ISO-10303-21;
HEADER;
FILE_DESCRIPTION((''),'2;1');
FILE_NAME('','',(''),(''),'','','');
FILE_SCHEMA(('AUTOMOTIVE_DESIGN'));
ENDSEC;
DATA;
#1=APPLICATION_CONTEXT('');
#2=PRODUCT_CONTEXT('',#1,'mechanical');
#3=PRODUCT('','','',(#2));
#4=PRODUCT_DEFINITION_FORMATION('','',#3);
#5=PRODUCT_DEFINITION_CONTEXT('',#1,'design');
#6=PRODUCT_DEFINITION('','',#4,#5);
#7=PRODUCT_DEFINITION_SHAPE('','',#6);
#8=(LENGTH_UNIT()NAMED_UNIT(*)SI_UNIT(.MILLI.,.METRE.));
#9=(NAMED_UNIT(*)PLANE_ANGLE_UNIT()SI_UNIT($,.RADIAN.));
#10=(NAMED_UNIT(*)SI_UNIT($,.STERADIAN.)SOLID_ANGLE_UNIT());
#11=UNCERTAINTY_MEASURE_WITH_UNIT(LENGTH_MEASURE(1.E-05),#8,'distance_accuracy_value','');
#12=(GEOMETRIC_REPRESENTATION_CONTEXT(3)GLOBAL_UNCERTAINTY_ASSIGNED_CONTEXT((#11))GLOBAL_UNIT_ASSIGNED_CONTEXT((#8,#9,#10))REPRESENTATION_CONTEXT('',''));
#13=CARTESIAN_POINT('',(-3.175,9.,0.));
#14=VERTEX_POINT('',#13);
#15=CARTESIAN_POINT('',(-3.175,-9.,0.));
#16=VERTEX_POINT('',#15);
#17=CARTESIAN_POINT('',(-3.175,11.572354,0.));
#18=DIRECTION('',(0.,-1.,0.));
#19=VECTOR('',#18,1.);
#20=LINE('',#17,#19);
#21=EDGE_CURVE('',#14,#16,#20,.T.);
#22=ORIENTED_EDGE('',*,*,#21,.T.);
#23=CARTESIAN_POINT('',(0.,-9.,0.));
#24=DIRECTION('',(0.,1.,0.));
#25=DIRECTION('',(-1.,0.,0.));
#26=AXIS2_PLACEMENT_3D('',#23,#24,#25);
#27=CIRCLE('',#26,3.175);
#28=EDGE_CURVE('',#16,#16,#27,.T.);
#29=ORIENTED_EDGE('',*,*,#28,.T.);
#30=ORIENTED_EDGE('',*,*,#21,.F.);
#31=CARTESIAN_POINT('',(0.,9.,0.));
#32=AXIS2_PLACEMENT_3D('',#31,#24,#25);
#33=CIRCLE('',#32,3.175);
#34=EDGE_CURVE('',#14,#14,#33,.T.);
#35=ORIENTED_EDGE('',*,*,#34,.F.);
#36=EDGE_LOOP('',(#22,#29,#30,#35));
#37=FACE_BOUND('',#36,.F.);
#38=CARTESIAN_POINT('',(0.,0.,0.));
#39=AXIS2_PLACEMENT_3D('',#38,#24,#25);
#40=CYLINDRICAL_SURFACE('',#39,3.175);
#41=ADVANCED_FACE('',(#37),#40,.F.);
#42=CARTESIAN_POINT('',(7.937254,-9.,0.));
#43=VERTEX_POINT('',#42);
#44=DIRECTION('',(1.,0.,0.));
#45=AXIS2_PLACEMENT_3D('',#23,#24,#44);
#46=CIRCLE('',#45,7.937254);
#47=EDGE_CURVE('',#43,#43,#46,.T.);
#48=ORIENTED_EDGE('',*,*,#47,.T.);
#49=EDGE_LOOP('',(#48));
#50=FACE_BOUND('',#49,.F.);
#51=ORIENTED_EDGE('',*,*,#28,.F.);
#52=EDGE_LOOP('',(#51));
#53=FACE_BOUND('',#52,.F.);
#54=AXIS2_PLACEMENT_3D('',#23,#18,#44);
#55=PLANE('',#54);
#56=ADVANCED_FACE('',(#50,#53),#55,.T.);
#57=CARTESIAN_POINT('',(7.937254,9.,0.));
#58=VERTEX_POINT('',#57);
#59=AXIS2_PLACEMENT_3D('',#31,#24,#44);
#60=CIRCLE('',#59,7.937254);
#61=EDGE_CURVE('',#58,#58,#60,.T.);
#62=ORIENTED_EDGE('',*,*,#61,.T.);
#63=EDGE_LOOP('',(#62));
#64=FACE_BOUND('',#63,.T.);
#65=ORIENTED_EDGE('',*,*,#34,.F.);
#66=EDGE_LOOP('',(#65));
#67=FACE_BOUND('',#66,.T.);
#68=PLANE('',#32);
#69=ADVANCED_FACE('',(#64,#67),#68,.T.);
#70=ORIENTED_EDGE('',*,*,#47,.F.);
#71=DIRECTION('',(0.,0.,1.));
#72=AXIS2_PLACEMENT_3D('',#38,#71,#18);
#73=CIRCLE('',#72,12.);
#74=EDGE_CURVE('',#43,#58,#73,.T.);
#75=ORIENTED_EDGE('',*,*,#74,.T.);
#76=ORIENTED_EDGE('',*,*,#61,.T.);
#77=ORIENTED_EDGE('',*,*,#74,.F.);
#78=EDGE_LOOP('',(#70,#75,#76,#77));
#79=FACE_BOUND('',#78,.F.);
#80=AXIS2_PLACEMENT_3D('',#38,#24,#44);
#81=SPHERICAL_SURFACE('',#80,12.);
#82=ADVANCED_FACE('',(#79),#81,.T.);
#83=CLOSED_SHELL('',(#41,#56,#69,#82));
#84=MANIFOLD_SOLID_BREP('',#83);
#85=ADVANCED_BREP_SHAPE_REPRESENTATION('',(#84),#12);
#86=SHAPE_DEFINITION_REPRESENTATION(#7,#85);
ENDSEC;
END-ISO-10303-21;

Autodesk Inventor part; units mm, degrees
ref_plane "YZ Plane" through (0, 0, 0) normal (1, 0, 0) x (0, 1, 0)
ref_plane "XY Plane" through (0, 0, 0) normal (0, 0, 1) x (1, 0, 0)
sketch "Sketch1" plane through (0, 0, 0) normal (0, 0, 1) x (1, 0, 0)
  arc A0 (0, -12) -> (0, 12) centre (0, 0) ccw
  line L0 (0, 12) -> (0, -12)
  dimension "d0" = 24
revolve "Revolution1" add sketch "Sketch1" angle 360 about axis through (0, 12, 0) along (0, -1, 0)
sketch "Sketch2" plane through (0, 0, 0) normal (0, 1, 0) x (-1, 0, 0)
  circle A0 centre (0, 0) radius 3.175
  dimension "d2" = 6.35
extrude "Extrusion1" cut sketch "Sketch2" along normal through all both and the other way through all
ref_plane "Work Plane1" through (0, 12, 0) normal (0, 1, 0) x (-1, 0, 0)
sketch "Sketch3" plane through (0, 12, 0) normal (0, 1, 0) x (-1, 0, 0)
  circle A0 centre (0, 0) radius 12 projected
extrude "Extrusion2" cut sketch "Sketch3" against normal blind 3
mirror "Mirror1" about plane through (0, 0, 0) normal (0, 1, 0) of "Extrusion2"
properties part number "shifter ball"
